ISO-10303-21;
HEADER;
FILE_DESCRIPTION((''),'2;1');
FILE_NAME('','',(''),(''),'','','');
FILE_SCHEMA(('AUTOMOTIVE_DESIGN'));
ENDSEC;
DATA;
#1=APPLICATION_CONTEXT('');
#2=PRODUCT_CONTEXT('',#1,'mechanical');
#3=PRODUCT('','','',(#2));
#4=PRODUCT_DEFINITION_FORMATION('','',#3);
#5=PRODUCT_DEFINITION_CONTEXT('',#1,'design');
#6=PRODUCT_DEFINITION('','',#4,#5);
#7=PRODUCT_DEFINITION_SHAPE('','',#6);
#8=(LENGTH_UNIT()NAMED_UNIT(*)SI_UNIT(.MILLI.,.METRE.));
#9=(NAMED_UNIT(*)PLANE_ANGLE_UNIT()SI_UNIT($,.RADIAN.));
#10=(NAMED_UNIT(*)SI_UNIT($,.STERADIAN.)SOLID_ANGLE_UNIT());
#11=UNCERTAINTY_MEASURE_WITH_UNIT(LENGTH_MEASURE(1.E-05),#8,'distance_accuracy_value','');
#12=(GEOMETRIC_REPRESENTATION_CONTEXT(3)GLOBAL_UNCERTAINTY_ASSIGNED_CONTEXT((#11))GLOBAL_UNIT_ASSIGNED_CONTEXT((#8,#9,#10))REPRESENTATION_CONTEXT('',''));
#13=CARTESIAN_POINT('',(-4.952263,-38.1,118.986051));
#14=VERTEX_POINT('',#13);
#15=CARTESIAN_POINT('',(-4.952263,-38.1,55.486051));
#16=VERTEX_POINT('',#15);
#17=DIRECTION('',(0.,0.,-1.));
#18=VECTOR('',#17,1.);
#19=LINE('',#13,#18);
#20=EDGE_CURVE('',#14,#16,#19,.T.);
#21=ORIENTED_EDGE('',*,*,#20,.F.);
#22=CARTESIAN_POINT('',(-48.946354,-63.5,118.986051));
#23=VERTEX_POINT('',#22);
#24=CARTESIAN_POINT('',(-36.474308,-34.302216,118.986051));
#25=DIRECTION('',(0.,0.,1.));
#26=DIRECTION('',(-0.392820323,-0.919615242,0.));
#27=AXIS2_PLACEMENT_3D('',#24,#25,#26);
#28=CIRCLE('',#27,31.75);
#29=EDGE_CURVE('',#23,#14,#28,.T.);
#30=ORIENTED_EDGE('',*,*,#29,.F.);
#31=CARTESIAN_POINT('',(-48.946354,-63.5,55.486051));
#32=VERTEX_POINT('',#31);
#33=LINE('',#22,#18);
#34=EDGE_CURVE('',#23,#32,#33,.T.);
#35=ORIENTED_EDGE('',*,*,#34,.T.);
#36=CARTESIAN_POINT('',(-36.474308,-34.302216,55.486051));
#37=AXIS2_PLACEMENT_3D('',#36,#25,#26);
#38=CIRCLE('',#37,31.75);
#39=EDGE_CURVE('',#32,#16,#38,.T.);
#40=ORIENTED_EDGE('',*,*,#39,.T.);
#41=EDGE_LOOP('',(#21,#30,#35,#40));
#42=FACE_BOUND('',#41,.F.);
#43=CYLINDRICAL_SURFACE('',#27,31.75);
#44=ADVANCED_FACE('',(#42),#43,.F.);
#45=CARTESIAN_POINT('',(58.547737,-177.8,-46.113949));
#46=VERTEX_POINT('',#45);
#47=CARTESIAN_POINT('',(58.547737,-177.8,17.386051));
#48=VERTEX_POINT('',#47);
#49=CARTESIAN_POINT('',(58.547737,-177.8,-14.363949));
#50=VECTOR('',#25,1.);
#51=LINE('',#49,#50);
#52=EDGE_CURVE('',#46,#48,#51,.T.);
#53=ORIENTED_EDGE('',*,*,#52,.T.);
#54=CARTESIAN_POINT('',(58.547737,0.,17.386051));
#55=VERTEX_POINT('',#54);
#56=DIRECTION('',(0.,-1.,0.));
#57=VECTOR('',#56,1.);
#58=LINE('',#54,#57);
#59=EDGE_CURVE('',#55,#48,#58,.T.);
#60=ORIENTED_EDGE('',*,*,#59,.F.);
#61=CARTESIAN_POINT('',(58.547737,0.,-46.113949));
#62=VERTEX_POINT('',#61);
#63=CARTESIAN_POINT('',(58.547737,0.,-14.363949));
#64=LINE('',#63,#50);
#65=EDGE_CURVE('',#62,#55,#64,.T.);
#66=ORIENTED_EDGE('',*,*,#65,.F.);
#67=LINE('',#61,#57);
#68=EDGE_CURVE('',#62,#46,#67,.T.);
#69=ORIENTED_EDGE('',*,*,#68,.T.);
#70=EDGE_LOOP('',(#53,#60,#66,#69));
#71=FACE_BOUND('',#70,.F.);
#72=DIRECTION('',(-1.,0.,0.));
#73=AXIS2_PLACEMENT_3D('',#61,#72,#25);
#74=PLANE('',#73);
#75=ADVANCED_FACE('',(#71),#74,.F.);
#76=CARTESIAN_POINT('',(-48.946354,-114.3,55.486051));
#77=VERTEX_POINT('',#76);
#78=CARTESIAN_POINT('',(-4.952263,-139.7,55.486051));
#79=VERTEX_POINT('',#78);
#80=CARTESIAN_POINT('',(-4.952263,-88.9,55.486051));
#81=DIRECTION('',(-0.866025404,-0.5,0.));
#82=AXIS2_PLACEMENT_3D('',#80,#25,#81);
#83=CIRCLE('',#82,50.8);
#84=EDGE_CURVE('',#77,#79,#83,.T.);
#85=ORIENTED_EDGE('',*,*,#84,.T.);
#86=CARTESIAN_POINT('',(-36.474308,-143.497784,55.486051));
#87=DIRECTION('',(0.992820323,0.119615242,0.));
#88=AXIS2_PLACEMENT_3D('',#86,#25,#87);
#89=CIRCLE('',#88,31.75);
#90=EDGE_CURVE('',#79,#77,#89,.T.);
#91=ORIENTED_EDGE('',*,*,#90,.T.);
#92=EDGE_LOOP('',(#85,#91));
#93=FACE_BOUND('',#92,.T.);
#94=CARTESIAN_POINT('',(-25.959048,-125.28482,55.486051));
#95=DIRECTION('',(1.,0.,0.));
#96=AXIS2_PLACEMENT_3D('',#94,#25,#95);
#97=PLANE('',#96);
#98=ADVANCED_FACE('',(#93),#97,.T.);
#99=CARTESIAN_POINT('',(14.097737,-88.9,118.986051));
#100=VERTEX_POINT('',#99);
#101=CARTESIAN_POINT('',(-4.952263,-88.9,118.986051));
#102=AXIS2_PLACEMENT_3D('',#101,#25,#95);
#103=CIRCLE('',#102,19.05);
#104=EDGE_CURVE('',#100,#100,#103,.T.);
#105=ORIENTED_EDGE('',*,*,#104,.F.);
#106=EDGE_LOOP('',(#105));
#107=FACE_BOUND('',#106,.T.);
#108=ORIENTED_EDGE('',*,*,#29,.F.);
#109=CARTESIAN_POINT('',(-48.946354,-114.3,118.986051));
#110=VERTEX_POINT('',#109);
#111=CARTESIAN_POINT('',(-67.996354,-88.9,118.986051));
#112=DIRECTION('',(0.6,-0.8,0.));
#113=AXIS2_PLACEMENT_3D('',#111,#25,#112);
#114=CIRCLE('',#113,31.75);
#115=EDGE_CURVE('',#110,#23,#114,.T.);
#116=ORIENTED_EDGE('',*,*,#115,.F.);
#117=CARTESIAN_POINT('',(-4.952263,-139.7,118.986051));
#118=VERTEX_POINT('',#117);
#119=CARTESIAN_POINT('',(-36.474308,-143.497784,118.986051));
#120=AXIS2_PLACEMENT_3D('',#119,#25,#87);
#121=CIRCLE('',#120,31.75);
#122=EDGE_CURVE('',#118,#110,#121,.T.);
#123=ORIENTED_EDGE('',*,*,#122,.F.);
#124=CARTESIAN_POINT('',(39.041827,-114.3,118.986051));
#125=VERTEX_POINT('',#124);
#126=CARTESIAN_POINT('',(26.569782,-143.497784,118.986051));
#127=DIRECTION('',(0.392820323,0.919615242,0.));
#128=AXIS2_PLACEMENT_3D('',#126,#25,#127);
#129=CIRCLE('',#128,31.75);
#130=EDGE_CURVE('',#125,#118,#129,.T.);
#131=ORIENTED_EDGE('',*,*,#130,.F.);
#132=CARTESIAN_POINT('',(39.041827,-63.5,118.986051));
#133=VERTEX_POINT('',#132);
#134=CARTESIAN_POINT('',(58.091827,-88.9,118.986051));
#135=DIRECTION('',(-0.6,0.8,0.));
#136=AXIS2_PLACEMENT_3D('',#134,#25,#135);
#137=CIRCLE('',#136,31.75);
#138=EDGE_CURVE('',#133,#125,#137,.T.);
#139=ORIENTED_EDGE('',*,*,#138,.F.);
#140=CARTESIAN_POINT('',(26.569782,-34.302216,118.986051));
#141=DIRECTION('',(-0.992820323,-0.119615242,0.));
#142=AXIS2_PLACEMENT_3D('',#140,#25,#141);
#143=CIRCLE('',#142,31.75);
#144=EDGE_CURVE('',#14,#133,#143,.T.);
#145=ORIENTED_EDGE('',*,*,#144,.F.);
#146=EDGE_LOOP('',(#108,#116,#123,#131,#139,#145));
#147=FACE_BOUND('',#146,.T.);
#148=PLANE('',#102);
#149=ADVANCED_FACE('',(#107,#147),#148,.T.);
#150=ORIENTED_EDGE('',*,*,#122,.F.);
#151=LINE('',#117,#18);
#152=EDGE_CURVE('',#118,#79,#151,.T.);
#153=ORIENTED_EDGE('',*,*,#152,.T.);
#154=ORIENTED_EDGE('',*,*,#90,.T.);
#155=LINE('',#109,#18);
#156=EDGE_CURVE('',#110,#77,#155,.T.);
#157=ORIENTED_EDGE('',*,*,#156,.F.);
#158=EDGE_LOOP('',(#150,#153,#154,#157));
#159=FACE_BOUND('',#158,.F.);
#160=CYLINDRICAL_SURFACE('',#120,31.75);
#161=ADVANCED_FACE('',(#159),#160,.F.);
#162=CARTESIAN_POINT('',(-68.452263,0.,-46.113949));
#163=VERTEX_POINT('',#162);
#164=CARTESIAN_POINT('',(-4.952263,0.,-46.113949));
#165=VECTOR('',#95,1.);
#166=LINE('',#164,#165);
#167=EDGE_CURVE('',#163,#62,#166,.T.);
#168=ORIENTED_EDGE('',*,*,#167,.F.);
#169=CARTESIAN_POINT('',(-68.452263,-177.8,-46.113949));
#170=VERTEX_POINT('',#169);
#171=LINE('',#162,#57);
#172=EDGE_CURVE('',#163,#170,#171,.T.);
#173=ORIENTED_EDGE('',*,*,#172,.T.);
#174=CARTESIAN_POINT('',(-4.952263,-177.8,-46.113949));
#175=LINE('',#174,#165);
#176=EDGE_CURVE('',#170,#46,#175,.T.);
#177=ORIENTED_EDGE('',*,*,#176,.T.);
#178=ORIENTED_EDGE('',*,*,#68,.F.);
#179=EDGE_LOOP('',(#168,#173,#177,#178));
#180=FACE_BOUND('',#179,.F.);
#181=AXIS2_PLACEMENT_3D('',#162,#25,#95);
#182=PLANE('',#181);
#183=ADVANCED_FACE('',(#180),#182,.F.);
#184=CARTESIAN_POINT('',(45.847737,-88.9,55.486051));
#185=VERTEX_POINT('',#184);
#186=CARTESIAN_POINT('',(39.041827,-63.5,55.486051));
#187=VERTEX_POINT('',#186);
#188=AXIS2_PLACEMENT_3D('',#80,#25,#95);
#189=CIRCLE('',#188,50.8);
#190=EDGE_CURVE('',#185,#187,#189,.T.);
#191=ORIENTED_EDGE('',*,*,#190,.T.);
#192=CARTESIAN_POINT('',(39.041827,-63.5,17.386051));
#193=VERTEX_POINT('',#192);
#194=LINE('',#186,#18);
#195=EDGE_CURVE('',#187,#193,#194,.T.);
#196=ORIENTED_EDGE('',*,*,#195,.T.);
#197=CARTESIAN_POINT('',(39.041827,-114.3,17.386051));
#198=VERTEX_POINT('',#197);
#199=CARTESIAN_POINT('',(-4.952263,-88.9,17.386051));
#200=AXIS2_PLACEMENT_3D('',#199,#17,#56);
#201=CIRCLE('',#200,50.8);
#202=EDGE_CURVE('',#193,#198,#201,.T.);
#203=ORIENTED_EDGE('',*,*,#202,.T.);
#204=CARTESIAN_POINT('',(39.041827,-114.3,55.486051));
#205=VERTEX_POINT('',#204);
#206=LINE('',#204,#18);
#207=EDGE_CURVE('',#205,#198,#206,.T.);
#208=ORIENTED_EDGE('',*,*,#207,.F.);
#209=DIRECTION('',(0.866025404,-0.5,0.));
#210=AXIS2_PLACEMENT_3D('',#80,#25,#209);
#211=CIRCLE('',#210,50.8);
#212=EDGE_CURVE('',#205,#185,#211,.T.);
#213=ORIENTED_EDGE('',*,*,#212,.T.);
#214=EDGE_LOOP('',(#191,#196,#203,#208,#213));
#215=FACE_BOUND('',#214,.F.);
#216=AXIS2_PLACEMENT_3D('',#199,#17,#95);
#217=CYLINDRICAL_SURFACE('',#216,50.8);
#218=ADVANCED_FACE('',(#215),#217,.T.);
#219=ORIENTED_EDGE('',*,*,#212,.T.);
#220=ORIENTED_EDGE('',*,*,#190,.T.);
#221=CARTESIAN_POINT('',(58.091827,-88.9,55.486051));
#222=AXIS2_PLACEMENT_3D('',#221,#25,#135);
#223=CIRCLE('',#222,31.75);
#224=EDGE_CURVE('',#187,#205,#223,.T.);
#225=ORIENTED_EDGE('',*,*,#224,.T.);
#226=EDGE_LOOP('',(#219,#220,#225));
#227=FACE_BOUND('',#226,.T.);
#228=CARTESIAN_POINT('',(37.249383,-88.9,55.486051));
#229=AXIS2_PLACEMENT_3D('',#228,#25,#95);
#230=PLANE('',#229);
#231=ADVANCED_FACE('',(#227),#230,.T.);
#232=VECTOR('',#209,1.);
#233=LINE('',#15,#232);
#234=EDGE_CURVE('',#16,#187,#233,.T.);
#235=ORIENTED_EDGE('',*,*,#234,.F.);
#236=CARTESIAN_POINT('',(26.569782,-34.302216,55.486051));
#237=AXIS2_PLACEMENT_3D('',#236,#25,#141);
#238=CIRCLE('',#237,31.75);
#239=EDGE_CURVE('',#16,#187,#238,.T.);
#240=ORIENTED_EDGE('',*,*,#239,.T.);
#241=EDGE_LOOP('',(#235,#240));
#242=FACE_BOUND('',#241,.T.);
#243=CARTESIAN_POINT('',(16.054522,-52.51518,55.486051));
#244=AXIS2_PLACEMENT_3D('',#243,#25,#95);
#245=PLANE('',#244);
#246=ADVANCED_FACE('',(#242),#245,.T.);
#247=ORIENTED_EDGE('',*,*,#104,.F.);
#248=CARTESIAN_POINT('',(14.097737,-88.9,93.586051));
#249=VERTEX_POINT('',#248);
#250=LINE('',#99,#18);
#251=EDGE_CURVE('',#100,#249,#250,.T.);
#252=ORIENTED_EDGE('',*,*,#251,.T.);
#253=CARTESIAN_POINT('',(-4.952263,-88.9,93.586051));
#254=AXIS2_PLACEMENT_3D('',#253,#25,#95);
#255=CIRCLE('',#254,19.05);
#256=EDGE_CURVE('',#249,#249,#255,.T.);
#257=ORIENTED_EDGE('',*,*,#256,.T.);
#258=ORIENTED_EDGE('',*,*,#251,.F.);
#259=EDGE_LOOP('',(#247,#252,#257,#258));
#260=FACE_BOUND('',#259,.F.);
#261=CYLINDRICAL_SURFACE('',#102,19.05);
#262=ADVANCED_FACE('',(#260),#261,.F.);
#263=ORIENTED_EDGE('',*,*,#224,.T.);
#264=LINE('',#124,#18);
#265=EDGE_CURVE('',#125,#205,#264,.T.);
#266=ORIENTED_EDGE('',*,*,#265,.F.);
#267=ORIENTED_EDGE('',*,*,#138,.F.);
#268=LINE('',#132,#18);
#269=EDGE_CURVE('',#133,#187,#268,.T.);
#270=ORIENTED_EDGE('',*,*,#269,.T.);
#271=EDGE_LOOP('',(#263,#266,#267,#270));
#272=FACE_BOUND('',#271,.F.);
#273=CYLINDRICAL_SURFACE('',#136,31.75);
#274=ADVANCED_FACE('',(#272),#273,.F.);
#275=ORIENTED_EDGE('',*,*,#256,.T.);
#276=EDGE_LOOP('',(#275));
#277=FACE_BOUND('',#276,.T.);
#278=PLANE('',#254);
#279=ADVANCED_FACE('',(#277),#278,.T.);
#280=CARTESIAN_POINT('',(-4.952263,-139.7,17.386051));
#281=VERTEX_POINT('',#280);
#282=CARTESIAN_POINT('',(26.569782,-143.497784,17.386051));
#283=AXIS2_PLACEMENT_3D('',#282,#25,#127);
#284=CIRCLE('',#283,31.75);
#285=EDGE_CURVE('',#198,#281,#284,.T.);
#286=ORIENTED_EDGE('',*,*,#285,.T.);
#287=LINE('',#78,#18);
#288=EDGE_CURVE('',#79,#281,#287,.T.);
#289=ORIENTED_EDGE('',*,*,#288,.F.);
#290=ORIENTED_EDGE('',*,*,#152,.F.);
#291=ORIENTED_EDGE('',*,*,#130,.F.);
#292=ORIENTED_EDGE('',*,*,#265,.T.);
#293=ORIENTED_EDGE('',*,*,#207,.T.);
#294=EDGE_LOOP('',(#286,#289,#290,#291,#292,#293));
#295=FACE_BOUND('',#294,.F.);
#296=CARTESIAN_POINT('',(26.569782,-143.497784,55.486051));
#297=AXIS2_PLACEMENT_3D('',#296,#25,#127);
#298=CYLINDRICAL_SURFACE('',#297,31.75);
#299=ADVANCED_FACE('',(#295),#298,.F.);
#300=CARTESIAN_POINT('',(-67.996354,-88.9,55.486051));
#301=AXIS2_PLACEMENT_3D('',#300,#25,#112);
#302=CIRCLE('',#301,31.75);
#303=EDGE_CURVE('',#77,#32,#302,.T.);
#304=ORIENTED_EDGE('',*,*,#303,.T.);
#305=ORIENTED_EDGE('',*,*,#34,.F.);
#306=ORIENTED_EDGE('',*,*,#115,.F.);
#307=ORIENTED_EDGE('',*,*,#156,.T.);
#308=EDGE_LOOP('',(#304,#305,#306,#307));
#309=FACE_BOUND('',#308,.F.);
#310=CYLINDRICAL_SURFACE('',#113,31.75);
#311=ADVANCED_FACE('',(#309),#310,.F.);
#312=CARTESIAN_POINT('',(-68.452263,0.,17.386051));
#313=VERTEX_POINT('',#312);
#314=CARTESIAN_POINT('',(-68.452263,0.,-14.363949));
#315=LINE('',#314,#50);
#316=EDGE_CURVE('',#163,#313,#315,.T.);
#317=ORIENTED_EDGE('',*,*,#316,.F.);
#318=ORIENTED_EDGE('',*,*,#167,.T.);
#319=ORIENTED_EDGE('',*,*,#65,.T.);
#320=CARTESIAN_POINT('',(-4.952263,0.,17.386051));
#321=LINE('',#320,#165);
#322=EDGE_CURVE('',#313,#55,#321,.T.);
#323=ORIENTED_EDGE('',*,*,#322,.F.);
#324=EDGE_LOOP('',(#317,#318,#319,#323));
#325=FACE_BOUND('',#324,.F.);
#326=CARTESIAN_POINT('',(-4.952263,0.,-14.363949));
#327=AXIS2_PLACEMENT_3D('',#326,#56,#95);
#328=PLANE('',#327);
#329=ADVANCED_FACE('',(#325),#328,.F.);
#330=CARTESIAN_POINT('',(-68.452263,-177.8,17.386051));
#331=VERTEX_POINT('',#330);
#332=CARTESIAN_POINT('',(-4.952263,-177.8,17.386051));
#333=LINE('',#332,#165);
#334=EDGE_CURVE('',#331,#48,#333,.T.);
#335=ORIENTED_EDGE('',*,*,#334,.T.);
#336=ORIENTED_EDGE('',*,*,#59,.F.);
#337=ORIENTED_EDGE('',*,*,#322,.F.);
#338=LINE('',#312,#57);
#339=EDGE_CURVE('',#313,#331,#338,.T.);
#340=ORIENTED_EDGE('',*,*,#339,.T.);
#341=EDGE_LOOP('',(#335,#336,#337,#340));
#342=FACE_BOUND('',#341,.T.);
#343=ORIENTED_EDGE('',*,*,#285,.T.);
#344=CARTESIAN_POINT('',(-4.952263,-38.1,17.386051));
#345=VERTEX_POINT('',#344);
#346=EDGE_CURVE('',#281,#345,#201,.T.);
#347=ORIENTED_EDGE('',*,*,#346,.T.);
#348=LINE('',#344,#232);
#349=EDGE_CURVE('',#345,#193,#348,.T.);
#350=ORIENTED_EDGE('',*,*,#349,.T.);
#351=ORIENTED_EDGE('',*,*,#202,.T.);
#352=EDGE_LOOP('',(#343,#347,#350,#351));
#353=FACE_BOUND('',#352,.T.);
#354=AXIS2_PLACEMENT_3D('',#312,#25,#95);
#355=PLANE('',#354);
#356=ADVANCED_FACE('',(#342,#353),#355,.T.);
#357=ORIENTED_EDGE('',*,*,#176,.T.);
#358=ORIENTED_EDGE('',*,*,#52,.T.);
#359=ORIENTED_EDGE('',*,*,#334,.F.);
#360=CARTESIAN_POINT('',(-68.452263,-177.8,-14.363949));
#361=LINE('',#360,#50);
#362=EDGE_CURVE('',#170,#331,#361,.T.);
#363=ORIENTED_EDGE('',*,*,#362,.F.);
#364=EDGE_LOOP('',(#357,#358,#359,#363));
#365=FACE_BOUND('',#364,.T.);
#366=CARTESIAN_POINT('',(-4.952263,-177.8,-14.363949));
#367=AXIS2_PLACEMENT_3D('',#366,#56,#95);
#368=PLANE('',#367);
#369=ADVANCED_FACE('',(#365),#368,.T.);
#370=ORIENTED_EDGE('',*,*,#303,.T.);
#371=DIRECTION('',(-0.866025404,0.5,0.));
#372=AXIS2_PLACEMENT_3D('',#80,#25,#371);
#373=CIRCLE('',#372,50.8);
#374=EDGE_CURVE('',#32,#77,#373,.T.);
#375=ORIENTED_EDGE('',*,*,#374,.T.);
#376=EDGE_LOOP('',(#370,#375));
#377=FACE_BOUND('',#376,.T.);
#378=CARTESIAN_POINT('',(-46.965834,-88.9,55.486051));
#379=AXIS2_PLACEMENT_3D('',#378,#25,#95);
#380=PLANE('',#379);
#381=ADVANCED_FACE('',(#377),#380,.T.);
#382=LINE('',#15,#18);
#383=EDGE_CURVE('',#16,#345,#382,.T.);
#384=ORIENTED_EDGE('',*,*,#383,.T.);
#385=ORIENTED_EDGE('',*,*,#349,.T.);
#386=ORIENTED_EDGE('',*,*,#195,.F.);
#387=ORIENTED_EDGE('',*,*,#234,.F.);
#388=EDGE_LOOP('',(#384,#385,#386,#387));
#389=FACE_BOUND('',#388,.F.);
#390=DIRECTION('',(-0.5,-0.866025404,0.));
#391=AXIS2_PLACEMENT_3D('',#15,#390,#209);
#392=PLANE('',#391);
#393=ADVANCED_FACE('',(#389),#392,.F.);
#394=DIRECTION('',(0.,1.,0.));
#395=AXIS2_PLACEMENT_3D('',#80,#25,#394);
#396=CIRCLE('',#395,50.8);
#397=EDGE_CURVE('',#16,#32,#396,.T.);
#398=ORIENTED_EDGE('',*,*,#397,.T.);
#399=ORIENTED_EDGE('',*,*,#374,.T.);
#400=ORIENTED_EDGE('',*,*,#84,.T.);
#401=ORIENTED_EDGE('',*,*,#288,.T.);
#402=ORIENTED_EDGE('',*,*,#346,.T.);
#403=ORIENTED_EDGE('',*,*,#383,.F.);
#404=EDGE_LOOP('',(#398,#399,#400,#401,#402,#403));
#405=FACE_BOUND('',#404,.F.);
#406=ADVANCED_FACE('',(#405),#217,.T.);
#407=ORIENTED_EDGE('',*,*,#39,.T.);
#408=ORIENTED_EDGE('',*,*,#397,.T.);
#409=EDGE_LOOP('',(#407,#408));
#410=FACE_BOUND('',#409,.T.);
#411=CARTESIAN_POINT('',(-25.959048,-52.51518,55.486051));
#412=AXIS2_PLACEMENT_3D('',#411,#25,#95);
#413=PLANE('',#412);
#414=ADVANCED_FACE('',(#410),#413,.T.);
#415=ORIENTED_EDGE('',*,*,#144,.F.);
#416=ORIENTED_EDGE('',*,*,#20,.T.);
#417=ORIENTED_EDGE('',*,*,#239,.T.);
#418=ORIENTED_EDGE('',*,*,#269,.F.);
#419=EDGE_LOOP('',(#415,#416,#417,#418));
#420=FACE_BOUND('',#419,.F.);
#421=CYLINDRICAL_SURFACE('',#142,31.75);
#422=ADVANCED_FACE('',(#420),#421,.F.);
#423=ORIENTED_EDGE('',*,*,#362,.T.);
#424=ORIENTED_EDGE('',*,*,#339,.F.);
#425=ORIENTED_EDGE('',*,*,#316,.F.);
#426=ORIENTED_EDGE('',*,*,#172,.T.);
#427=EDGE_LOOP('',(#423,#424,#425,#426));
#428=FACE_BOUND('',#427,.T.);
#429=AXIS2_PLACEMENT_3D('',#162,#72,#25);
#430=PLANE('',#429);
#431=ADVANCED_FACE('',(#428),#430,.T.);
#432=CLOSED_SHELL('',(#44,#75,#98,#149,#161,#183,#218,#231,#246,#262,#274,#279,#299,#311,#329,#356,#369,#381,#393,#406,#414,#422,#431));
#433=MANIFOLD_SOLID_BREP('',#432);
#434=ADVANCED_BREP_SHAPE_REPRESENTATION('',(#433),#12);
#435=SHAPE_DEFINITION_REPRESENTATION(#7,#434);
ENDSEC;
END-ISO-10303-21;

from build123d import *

# Parameters (mm, degrees)
F0_W      = 127
F0_H      = 63.5
F1_DEPTH  = 177.8
F2_R      = 50.8
F3_DEPTH  = 101.6
F5_DEPTH  = 63.5
F6_R      = 19.05
F7_DEPTH  = 25.4
F9_DEPTH  = 38.1
F11_DEPTH = 38.1


with BuildPart() as f1:
    # F0 (on Front) → F1 (new body)
    with BuildSketch(Plane.XZ):
        with Locations((-4.952263087, -14.3639492443)):
            Rectangle(F0_W, F0_H)
    extrude(amount=F1_DEPTH)

    # F2 (on face) → F3 (join)
    with BuildSketch(Plane.XY.offset(17.3860507557)):
        with Locations((-4.952263087, -88.9)):
            Circle(F2_R)
    extrude(amount=F3_DEPTH)

    # F4 (on face) → F5 (cut)
    with BuildSketch(Plane.XY.offset(118.9860507557)):
        with BuildLine():
            ThreePointArc((-4.952263087, -38.1), (-30.352263087, -44.9059094878), (-48.9463535993, -63.5))
            ThreePointArc((-48.9463535993, -63.5), (-20.5993083432, -61.7985226281), (-4.952263087, -38.1))
        make_face()
        with BuildLine():
            ThreePointArc((39.0418274252, -63.5), (20.447736913, -44.9059094878), (-4.952263087, -38.1))
            ThreePointArc((-4.952263087, -38.1), (10.6947821691, -61.7985226281), (39.0418274252, -63.5))
        make_face()
        with BuildLine():
            ThreePointArc((45.847736913, -88.9), (44.1167688885, -75.7519925088), (39.0418274252, -63.5))
            ThreePointArc((39.0418274252, -63.5), (26.3418274252, -88.9), (39.0418274252, -114.3))
            ThreePointArc((39.0418274252, -114.3), (44.1167688885, -102.0480074912), (45.847736913, -88.9))
        make_face()
        with BuildLine():
            ThreePointArc((39.0418274252, -114.3), (10.6947821691, -116.0014773719), (-4.952263087, -139.7))
            ThreePointArc((-4.952263087, -139.7), (20.447736913, -132.8940905122), (39.0418274252, -114.3))
        make_face()
        with BuildLine():
            ThreePointArc((-4.952263087, -139.7), (-20.5993083432, -116.0014773719), (-48.9463535993, -114.3))
            ThreePointArc((-48.9463535993, -114.3), (-30.352263087, -132.8940905122), (-4.952263087, -139.7))
        make_face()
        with BuildLine():
            ThreePointArc((-48.9463535993, -114.3), (-36.2463535993, -88.9), (-48.9463535993, -63.5))
            ThreePointArc((-48.9463535993, -63.5), (-55.752263087, -88.9), (-48.9463535993, -114.3))
        make_face()
    extrude(amount=-F5_DEPTH, mode=Mode.SUBTRACT)

    # F6 (on face) → F7 (cut)
    with BuildSketch(Plane.XY.offset(118.9860507557)):
        with Locations((-4.952263087, -88.9)):
            Circle(F6_R)
    extrude(amount=-F7_DEPTH, mode=Mode.SUBTRACT)

    # F8 (on face) → F9 (cut)
    with BuildSketch(Plane.XY.offset(55.4860507557)):
        with BuildLine():
            ThreePointArc((-4.952263087, -139.7), (20.447736913, -132.8940905122), (39.0418274252, -114.3))
            ThreePointArc((39.0418274252, -114.3), (10.6947821691, -116.0014773719), (-4.952263087, -139.7))
        make_face()
    extrude(amount=-F9_DEPTH, mode=Mode.SUBTRACT)

    # F10 (on face) → F11 (cut)
    with BuildSketch(Plane.XY.offset(55.4860507557)):
        with BuildLine():
            Line((-4.952263087, -38.1), (39.0418274252, -63.5))
            ThreePointArc((39.0418274252, -63.5), (20.447736913, -44.9059094878), (-4.952263087, -38.1))
        make_face()
    extrude(amount=-F11_DEPTH, mode=Mode.SUBTRACT)


solid = f1.part
